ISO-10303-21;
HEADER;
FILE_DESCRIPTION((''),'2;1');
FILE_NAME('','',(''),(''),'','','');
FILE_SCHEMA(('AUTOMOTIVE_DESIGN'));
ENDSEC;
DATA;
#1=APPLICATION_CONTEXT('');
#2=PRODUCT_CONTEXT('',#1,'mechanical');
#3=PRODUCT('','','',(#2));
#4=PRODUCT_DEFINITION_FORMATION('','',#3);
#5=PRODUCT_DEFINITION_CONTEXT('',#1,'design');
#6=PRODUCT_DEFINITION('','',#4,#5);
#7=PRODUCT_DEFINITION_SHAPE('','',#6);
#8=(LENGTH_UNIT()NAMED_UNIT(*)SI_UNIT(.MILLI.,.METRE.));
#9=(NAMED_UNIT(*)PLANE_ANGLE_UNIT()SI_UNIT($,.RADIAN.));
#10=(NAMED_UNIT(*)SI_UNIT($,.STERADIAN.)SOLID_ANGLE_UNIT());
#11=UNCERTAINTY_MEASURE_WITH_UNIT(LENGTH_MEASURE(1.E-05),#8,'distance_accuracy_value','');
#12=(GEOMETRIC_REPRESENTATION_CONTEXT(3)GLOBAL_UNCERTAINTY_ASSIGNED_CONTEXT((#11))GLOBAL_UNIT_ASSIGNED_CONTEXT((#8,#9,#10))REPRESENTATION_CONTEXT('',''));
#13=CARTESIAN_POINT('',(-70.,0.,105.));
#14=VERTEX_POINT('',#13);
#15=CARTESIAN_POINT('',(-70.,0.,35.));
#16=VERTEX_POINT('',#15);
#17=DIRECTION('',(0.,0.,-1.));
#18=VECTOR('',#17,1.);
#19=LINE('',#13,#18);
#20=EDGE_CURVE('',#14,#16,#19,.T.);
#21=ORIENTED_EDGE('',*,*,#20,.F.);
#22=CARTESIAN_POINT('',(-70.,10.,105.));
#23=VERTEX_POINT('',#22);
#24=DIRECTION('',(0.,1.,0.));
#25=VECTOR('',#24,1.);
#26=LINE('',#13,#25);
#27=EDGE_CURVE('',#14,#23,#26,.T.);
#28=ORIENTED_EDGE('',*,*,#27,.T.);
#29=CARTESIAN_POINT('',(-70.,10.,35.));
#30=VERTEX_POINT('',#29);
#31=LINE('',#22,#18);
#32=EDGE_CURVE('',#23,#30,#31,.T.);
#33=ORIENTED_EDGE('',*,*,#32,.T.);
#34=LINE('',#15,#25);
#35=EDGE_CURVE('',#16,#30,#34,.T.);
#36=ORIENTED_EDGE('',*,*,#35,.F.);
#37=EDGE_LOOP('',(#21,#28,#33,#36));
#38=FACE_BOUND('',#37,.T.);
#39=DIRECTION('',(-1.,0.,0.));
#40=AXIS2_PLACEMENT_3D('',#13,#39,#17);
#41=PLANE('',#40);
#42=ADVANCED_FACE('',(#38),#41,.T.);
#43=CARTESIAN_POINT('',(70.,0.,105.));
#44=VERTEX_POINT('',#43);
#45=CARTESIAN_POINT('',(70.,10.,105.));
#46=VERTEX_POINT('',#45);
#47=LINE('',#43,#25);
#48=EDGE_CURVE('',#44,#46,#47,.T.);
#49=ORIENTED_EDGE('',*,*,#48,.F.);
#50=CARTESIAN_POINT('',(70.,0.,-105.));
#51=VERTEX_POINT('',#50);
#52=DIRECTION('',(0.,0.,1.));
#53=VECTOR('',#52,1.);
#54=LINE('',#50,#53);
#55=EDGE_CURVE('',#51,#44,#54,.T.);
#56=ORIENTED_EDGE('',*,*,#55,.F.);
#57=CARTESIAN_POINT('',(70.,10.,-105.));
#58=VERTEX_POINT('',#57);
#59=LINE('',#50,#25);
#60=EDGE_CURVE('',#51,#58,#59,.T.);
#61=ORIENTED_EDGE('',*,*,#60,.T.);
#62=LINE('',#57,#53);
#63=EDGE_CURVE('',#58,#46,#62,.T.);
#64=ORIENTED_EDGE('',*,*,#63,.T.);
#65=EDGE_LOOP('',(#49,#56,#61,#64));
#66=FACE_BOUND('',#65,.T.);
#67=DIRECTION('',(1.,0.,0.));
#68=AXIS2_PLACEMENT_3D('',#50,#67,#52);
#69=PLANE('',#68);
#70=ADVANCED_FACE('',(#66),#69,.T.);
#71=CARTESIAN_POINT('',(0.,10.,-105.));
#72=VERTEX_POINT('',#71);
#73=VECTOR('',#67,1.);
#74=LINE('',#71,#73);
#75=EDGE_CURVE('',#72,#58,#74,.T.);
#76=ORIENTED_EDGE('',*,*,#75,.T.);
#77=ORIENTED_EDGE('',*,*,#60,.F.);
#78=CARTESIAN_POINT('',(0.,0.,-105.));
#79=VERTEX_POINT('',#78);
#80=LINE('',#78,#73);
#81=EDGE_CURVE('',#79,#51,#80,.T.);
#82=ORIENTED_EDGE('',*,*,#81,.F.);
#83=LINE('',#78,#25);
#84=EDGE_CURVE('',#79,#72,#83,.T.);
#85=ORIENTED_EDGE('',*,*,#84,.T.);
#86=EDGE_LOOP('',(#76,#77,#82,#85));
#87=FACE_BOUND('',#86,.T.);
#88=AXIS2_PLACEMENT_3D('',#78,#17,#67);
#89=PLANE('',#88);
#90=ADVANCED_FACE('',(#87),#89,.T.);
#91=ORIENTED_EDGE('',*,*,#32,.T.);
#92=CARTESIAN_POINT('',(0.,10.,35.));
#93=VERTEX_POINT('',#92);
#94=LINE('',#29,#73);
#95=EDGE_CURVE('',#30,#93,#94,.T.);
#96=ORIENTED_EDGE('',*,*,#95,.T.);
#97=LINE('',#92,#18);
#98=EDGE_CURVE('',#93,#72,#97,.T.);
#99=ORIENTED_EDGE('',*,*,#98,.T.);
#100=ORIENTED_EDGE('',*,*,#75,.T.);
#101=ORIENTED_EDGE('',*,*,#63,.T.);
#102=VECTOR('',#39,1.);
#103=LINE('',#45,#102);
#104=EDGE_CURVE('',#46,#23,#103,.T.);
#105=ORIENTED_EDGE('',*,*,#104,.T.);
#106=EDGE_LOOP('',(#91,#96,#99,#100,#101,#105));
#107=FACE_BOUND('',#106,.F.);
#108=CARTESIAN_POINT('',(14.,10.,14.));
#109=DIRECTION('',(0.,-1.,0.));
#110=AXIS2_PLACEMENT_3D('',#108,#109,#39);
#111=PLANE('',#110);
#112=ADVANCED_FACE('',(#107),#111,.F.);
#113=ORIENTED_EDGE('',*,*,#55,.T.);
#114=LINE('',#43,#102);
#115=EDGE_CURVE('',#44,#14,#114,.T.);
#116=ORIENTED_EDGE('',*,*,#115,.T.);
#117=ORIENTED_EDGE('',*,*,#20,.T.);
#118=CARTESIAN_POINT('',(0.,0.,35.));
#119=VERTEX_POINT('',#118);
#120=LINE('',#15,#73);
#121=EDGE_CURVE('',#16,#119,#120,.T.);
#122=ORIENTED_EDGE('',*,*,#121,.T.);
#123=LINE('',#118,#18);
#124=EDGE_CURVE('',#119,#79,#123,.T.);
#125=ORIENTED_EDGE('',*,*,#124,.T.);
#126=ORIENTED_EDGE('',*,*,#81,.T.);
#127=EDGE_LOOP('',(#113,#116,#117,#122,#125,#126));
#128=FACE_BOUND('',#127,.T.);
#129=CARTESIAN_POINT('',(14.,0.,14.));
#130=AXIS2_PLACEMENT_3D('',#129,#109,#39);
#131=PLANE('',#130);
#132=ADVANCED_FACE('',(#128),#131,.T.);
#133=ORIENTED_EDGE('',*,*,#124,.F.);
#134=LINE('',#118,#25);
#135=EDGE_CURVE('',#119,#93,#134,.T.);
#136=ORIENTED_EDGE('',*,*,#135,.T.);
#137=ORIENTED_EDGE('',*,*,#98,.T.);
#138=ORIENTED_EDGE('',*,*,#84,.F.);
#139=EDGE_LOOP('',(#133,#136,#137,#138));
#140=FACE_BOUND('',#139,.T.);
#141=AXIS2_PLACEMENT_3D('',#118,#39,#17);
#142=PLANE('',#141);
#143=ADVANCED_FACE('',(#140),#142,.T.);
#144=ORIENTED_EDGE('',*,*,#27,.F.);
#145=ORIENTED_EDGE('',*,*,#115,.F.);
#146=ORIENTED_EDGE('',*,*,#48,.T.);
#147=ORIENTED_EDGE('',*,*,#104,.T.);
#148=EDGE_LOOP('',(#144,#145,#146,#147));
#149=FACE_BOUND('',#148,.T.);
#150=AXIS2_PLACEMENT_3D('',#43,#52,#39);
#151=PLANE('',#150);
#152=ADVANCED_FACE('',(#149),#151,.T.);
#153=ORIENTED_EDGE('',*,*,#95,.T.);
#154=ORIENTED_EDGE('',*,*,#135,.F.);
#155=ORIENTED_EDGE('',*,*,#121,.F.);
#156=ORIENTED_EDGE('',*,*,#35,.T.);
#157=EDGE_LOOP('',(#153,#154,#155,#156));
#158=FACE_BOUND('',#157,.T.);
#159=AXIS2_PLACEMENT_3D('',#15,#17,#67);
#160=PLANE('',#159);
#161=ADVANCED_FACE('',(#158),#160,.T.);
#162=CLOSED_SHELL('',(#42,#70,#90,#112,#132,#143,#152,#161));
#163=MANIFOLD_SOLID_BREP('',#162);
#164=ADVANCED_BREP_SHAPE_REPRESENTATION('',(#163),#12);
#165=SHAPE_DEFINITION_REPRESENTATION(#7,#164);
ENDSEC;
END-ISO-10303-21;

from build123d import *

# Parameters (mm, degrees)
BOSS_EXTRUDE1_DEPTH = 10


with BuildPart() as part:
    # Sketch1 → Boss-Extrude1 (new body)
    with BuildSketch(Plane(origin=(0, 0, 0), x_dir=(1, 0, 0), z_dir=(0, 1, 0))):
        Polygon((0, 105), (70, 105), (70, -105), (-70, -105), (-70, -35), (0, -35), align=None)
    extrude(amount=BOSS_EXTRUDE1_DEPTH)


solid = part.part
